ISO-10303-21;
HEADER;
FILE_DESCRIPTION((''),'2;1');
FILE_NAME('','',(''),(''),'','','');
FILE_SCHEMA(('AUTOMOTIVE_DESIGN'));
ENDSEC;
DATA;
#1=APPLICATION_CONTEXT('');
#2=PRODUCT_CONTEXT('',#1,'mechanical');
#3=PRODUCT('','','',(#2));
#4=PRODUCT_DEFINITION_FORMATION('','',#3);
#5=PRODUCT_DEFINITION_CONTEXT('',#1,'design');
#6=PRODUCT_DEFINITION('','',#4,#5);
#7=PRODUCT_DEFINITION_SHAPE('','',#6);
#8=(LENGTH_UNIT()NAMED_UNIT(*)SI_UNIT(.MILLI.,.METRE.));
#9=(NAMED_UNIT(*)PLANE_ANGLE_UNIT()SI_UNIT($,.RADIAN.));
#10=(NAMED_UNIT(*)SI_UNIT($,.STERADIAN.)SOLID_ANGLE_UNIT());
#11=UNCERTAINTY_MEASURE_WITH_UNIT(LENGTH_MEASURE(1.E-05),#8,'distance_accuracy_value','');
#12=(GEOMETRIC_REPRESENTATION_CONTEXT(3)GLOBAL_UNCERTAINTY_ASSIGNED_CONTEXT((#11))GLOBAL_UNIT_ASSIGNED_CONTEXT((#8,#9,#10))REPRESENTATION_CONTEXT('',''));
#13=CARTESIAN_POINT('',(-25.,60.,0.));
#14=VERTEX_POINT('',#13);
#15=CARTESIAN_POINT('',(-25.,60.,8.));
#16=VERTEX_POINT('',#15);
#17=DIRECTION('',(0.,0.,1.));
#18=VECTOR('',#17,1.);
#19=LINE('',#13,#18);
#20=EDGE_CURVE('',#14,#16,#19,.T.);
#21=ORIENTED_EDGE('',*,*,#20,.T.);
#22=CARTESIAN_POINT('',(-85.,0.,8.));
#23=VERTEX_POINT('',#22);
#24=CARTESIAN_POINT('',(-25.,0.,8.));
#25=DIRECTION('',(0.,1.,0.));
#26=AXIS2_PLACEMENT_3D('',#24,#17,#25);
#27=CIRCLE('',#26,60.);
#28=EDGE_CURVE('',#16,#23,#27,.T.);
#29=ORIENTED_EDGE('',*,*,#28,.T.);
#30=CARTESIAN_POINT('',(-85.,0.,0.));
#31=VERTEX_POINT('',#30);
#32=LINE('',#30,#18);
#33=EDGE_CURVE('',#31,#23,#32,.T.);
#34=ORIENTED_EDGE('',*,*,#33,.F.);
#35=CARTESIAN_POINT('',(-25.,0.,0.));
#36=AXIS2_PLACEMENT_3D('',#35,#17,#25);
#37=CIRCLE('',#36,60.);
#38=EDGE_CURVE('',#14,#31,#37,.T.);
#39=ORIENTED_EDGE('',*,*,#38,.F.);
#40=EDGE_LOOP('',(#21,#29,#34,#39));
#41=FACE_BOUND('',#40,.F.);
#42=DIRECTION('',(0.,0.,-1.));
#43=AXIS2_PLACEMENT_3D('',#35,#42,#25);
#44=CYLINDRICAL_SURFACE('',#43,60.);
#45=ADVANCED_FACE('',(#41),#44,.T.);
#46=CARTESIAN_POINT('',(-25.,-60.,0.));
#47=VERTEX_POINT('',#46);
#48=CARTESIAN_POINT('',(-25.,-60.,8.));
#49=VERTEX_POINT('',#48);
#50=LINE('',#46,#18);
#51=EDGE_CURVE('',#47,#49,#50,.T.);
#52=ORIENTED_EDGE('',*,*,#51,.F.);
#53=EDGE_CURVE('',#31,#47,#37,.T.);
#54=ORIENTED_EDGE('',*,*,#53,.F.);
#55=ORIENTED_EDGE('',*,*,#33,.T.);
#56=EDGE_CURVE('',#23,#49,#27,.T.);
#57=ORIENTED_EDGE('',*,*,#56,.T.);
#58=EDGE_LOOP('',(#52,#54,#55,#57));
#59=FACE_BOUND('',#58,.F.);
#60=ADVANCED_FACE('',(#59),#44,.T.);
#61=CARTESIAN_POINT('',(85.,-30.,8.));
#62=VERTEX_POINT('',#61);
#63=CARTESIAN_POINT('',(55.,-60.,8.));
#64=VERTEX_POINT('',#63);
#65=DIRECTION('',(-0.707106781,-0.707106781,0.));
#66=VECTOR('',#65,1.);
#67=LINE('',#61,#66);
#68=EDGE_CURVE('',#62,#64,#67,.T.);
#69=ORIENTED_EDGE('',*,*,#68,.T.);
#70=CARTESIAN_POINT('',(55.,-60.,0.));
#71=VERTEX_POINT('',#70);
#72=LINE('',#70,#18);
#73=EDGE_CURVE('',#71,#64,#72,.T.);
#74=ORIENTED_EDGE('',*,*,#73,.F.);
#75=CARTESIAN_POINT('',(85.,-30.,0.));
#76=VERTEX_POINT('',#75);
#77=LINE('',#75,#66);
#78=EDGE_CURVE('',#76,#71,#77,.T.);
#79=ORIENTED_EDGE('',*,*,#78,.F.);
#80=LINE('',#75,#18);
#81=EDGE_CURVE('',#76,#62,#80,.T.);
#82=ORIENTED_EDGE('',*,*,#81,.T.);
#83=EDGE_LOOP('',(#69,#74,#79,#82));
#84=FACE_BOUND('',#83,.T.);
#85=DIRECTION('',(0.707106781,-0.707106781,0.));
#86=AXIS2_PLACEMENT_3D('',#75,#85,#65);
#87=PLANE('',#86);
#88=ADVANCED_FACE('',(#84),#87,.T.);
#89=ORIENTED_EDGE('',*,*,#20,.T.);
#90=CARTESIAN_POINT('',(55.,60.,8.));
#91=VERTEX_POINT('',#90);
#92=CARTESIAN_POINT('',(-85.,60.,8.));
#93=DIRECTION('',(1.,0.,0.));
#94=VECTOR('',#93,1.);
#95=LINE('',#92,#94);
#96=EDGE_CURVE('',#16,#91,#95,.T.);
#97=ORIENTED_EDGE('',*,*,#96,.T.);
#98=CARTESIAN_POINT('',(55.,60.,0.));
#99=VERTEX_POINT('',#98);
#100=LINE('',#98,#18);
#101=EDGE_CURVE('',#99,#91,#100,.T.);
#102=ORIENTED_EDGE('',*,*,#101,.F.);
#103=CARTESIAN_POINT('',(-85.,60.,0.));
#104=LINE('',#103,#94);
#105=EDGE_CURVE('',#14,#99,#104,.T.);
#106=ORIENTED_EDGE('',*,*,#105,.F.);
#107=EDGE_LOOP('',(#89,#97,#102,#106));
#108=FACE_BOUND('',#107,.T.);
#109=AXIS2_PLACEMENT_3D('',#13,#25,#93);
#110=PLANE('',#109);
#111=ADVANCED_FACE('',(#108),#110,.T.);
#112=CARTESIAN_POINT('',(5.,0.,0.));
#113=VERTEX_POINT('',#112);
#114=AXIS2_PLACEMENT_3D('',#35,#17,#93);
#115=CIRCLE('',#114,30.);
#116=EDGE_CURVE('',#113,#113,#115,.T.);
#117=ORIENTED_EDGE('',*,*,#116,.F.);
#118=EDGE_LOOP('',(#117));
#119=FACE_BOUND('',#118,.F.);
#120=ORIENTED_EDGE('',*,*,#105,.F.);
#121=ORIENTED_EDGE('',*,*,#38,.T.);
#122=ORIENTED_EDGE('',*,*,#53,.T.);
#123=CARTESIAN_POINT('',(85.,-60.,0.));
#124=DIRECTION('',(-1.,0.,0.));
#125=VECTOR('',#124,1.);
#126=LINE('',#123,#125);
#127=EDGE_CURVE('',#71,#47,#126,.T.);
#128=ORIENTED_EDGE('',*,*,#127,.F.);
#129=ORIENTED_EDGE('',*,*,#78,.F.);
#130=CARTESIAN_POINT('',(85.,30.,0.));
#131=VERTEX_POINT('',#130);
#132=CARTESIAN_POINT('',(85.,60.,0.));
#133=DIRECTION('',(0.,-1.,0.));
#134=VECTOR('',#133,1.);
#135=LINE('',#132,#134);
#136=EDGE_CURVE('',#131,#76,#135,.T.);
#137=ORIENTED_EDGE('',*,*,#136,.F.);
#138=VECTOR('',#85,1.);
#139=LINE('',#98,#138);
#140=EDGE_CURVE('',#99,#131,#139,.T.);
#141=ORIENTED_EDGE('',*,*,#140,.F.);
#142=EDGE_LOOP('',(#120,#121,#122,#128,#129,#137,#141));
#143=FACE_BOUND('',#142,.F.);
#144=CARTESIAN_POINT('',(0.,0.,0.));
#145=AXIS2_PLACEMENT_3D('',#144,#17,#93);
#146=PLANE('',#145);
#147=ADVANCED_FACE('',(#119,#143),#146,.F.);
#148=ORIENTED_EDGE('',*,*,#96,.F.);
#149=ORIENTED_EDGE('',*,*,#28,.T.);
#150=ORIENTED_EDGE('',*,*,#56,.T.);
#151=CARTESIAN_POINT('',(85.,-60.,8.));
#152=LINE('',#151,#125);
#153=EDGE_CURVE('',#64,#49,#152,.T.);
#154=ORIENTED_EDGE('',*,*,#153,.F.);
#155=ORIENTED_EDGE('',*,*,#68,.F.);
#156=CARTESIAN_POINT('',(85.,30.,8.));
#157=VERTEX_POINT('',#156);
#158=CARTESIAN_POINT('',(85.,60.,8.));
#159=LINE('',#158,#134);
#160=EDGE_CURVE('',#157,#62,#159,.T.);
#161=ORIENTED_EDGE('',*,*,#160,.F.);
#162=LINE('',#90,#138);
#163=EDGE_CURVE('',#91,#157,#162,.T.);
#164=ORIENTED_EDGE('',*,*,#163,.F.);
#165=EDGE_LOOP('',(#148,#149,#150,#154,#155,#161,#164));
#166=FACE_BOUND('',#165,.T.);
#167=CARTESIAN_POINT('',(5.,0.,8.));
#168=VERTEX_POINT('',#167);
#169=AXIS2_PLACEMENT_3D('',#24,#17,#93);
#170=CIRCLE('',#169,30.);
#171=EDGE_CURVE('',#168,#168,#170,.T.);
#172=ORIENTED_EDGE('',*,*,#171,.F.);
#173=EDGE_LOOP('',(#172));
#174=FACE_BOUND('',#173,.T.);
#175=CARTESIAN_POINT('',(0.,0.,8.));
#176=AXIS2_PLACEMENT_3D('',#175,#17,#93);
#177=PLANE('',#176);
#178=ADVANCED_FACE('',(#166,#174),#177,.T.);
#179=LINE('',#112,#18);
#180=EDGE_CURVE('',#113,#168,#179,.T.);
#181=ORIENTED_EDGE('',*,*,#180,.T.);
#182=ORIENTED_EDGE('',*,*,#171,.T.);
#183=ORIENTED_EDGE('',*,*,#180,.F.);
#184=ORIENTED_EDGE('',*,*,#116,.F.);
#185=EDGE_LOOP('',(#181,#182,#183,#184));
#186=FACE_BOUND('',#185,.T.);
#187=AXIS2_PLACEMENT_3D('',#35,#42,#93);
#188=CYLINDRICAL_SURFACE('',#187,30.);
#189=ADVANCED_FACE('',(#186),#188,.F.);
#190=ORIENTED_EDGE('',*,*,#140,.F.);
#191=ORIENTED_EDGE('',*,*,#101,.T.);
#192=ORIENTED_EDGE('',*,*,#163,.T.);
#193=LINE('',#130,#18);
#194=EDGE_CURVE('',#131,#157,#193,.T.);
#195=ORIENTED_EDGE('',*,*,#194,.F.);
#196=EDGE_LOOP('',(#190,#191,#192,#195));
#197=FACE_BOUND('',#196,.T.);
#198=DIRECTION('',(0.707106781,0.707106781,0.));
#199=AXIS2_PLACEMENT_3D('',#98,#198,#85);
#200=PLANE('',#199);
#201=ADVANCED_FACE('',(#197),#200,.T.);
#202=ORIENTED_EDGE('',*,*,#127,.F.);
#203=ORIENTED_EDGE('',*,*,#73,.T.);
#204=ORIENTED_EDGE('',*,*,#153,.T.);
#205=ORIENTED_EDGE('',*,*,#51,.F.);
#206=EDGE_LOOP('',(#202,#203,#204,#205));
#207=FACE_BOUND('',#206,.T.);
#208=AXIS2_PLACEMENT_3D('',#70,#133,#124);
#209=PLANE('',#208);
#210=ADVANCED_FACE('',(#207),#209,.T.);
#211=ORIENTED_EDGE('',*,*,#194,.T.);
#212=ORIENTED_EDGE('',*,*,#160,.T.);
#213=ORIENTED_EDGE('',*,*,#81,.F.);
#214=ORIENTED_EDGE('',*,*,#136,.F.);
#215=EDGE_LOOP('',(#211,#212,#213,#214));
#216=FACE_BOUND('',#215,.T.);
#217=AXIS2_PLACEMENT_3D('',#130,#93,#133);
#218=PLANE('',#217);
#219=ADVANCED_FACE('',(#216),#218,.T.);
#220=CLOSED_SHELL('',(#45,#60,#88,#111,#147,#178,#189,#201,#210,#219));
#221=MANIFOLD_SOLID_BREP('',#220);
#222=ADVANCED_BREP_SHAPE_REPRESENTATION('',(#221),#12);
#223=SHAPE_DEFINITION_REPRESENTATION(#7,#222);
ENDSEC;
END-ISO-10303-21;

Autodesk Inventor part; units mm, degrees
ref_plane "YZ Plane" through (0, 0, 0) normal (1, 0, 0) x (0, 1, 0)
ref_plane "XZ Plane" through (0, 0, 0) normal (0, 1, 0) x (-1, 0, 0)
ref_plane "XY Plane" through (0, 0, 0) normal (0, 0, 1) x (1, 0, 0)
sketch "Sketch1" plane through (0, 0, 0) normal (0, 0, 1) x (1, 0, 0)
  line L0 (-85, 60) -> (85, 60)
  line L1 (85, 60) -> (85, -60)
  line L2 (85, -60) -> (-85, -60)
  line L3 (-85, -60) -> (-85, 60)
  line L4 (-85, 60) -> (85, -60) construction
  line L5 (85, 60) -> (-85, -60) construction
  circle A0 centre (-25, 0) radius 30
  line L6 (0, 60) -> (0, -60) construction
  arc A1 (-25, 60) -> (-25, -60) centre (-25, 0) ccw
  line L7 (55, 60) -> (85, 30)
  line L8 (85, -30) -> (55, -60)
  point P0 (0, 0)
  point P1 (-85, 0)
  dimension "d0" = 170
  dimension "d1" = 120
  dimension "d13" = 60
  dimension "d14" = 60
  dimension "d15" = 30
  dimension "d17" = 45
extrude "Plate1" add sketch "Sketch1" along normal blind 8 contours L0 L7 L1 L8 L2 A1
equation "\"d2\" = Thickness"
equation "\"BendRadius\" = Thickness"
equation "\"BendReliefWidth\" = Thickness"
equation "\"BendReliefDepth\" = 0.5 * Thickness"
equation "\"CornerReliefSize\" = 4 * Thickness"
equation "\"MinimumRemnant\" = 2 * Thickness"
equation "\"TransitionRadius\" = BendRadius"
equation "\"JacobiRadiusSize\" = BendRadius"
equation "\"GapSize\" = Thickness"
equation "\"Thickness\" = 8"
properties part number "ухо"
